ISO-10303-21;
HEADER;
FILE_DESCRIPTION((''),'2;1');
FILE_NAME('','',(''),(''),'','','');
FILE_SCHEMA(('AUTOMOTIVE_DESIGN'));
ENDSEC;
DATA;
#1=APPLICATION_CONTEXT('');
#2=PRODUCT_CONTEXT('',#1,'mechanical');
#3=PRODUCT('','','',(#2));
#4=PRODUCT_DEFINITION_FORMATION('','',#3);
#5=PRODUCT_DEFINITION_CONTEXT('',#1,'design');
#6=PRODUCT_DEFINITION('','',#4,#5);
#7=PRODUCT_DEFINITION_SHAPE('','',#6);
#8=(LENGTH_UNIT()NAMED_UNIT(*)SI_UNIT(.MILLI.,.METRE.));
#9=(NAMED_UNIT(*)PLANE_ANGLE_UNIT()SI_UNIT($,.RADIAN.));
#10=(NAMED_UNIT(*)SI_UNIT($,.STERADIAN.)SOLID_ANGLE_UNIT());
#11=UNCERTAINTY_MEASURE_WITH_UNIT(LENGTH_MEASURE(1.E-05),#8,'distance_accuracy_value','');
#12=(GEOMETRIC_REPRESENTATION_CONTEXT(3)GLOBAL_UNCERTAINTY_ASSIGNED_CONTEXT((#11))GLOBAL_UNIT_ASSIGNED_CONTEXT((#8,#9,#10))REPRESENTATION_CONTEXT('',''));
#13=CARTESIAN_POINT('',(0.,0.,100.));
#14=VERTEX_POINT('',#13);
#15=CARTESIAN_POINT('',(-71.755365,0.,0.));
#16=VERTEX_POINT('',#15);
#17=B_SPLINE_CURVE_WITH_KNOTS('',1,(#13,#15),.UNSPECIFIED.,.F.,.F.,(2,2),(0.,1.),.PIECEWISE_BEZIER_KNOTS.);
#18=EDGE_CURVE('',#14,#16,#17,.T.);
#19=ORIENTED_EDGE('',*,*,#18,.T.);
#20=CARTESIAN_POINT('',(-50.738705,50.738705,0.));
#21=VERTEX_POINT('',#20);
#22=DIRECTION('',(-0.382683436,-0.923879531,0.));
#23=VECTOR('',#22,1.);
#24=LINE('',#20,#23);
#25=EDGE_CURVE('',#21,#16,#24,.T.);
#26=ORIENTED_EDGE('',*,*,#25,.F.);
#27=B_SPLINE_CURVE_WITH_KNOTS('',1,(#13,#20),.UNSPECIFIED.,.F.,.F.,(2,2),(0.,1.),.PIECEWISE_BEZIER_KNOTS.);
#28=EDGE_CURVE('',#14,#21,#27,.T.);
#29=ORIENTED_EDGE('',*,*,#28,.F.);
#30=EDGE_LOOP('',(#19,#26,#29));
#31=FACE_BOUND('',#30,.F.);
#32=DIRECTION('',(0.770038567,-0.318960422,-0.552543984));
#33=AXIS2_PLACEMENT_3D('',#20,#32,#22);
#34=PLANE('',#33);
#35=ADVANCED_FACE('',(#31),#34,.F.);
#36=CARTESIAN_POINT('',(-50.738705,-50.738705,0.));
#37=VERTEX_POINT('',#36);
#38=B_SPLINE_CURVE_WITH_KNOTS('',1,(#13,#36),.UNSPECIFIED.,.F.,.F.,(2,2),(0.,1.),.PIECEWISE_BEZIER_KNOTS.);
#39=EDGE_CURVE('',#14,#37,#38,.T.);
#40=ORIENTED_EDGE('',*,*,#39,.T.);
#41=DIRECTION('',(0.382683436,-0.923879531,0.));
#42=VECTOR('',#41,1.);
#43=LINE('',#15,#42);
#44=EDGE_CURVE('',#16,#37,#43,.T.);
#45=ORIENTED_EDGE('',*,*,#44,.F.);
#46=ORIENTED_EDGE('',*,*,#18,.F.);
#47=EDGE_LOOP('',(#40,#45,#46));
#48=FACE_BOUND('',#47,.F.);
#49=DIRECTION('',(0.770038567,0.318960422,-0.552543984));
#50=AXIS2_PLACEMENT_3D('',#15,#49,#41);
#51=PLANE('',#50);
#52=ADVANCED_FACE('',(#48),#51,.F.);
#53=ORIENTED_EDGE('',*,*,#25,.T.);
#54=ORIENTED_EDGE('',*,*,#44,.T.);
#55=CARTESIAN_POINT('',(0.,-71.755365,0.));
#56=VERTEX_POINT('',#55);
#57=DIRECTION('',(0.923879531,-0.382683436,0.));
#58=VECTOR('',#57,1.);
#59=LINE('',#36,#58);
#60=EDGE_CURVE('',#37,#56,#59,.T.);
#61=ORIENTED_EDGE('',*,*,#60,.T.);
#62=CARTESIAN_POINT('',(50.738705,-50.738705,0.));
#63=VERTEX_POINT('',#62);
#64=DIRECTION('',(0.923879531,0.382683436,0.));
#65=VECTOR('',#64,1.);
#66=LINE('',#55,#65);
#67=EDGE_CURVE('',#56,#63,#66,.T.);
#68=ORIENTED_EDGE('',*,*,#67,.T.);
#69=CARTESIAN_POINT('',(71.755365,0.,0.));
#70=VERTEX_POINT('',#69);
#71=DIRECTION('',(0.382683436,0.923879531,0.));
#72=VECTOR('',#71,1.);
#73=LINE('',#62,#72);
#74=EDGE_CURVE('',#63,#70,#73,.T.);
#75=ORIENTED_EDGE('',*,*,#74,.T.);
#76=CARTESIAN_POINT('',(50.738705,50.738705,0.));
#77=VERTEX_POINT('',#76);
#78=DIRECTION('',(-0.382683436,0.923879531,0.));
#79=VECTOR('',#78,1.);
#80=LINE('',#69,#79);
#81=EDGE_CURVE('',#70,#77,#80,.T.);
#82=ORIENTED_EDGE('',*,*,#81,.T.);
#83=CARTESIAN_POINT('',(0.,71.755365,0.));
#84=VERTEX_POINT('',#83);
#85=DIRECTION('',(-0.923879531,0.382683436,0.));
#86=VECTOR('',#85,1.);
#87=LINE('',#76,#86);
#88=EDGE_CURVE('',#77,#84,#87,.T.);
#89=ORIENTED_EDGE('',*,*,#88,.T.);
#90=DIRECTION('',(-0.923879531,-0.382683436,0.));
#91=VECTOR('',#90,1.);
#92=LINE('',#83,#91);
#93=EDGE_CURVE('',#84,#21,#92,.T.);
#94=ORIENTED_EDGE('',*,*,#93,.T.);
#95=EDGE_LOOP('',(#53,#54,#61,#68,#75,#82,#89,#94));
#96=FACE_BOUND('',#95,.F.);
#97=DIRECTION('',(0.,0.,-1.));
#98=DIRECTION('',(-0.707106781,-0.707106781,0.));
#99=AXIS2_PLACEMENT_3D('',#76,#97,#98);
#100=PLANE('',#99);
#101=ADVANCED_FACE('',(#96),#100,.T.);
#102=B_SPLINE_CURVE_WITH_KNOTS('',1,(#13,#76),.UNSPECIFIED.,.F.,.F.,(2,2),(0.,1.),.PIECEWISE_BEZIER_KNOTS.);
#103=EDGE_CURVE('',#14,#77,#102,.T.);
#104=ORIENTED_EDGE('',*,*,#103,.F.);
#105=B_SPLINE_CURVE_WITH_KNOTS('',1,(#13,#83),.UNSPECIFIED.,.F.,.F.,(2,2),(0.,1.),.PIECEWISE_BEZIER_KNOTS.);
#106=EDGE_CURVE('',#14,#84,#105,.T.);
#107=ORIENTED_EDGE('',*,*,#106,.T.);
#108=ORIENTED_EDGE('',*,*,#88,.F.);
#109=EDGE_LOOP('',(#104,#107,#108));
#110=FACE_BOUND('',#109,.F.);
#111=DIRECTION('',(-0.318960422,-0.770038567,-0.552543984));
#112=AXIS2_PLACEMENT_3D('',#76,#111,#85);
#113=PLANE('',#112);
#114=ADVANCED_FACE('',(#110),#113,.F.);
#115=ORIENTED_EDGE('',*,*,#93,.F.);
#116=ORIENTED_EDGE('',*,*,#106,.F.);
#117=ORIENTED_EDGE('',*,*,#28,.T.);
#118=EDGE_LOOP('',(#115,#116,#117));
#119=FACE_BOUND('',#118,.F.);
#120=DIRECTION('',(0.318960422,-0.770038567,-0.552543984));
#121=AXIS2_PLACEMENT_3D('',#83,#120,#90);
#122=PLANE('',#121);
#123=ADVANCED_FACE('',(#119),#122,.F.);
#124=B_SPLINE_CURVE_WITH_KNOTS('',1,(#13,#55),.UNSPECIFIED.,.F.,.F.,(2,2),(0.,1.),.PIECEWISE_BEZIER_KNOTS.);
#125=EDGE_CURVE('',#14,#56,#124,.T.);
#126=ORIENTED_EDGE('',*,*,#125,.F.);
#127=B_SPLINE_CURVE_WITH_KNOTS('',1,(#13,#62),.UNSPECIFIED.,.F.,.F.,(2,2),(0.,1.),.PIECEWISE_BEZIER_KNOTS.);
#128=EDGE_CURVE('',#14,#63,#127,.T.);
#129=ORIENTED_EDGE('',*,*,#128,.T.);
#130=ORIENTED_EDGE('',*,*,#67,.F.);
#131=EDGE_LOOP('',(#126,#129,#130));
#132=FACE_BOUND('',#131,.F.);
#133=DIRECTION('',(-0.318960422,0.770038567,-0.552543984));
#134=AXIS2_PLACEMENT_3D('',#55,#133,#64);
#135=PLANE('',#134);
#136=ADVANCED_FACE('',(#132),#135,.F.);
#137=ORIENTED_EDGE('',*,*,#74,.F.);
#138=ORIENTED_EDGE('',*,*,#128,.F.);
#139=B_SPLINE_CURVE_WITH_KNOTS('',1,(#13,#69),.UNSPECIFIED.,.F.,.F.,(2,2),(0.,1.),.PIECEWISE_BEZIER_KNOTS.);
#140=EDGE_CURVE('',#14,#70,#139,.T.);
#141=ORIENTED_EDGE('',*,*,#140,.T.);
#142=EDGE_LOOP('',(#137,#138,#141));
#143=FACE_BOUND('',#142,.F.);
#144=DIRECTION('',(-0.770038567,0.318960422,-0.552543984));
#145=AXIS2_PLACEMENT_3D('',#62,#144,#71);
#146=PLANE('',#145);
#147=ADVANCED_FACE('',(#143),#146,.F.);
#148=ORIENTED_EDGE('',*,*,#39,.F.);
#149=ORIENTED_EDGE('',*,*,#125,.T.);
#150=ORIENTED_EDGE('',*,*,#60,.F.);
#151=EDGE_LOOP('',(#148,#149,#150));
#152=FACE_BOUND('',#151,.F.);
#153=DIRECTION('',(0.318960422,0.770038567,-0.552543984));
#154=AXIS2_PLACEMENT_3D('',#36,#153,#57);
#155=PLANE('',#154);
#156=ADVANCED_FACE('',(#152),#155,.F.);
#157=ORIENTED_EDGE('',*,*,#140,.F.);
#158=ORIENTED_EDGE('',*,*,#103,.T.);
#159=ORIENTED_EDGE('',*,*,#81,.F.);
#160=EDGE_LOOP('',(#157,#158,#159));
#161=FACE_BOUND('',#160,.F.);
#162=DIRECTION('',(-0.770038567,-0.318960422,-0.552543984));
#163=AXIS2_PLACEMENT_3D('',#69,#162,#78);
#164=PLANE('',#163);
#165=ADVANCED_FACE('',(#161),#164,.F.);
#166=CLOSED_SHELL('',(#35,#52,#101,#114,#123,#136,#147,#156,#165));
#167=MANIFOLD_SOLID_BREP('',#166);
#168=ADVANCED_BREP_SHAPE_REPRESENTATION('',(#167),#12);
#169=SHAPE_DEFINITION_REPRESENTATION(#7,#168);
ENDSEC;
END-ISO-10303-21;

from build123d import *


with BuildPart() as f3:
    # F0 (on Top) → F3 section 0
    with BuildSketch(Plane.XY, mode=Mode.PRIVATE) as f3_s0:
        Polygon((50.738705, 50.738705), (0, 71.755365), (-50.738705, 50.738705), (-71.755365, 0), (-50.738705, -50.738705), (0, -71.755365), (50.738705, -50.738705), (71.755365, 0), align=None)
    loft([Vertex(0, 0, 100), f3_s0.sketch])


solid = f3.part
